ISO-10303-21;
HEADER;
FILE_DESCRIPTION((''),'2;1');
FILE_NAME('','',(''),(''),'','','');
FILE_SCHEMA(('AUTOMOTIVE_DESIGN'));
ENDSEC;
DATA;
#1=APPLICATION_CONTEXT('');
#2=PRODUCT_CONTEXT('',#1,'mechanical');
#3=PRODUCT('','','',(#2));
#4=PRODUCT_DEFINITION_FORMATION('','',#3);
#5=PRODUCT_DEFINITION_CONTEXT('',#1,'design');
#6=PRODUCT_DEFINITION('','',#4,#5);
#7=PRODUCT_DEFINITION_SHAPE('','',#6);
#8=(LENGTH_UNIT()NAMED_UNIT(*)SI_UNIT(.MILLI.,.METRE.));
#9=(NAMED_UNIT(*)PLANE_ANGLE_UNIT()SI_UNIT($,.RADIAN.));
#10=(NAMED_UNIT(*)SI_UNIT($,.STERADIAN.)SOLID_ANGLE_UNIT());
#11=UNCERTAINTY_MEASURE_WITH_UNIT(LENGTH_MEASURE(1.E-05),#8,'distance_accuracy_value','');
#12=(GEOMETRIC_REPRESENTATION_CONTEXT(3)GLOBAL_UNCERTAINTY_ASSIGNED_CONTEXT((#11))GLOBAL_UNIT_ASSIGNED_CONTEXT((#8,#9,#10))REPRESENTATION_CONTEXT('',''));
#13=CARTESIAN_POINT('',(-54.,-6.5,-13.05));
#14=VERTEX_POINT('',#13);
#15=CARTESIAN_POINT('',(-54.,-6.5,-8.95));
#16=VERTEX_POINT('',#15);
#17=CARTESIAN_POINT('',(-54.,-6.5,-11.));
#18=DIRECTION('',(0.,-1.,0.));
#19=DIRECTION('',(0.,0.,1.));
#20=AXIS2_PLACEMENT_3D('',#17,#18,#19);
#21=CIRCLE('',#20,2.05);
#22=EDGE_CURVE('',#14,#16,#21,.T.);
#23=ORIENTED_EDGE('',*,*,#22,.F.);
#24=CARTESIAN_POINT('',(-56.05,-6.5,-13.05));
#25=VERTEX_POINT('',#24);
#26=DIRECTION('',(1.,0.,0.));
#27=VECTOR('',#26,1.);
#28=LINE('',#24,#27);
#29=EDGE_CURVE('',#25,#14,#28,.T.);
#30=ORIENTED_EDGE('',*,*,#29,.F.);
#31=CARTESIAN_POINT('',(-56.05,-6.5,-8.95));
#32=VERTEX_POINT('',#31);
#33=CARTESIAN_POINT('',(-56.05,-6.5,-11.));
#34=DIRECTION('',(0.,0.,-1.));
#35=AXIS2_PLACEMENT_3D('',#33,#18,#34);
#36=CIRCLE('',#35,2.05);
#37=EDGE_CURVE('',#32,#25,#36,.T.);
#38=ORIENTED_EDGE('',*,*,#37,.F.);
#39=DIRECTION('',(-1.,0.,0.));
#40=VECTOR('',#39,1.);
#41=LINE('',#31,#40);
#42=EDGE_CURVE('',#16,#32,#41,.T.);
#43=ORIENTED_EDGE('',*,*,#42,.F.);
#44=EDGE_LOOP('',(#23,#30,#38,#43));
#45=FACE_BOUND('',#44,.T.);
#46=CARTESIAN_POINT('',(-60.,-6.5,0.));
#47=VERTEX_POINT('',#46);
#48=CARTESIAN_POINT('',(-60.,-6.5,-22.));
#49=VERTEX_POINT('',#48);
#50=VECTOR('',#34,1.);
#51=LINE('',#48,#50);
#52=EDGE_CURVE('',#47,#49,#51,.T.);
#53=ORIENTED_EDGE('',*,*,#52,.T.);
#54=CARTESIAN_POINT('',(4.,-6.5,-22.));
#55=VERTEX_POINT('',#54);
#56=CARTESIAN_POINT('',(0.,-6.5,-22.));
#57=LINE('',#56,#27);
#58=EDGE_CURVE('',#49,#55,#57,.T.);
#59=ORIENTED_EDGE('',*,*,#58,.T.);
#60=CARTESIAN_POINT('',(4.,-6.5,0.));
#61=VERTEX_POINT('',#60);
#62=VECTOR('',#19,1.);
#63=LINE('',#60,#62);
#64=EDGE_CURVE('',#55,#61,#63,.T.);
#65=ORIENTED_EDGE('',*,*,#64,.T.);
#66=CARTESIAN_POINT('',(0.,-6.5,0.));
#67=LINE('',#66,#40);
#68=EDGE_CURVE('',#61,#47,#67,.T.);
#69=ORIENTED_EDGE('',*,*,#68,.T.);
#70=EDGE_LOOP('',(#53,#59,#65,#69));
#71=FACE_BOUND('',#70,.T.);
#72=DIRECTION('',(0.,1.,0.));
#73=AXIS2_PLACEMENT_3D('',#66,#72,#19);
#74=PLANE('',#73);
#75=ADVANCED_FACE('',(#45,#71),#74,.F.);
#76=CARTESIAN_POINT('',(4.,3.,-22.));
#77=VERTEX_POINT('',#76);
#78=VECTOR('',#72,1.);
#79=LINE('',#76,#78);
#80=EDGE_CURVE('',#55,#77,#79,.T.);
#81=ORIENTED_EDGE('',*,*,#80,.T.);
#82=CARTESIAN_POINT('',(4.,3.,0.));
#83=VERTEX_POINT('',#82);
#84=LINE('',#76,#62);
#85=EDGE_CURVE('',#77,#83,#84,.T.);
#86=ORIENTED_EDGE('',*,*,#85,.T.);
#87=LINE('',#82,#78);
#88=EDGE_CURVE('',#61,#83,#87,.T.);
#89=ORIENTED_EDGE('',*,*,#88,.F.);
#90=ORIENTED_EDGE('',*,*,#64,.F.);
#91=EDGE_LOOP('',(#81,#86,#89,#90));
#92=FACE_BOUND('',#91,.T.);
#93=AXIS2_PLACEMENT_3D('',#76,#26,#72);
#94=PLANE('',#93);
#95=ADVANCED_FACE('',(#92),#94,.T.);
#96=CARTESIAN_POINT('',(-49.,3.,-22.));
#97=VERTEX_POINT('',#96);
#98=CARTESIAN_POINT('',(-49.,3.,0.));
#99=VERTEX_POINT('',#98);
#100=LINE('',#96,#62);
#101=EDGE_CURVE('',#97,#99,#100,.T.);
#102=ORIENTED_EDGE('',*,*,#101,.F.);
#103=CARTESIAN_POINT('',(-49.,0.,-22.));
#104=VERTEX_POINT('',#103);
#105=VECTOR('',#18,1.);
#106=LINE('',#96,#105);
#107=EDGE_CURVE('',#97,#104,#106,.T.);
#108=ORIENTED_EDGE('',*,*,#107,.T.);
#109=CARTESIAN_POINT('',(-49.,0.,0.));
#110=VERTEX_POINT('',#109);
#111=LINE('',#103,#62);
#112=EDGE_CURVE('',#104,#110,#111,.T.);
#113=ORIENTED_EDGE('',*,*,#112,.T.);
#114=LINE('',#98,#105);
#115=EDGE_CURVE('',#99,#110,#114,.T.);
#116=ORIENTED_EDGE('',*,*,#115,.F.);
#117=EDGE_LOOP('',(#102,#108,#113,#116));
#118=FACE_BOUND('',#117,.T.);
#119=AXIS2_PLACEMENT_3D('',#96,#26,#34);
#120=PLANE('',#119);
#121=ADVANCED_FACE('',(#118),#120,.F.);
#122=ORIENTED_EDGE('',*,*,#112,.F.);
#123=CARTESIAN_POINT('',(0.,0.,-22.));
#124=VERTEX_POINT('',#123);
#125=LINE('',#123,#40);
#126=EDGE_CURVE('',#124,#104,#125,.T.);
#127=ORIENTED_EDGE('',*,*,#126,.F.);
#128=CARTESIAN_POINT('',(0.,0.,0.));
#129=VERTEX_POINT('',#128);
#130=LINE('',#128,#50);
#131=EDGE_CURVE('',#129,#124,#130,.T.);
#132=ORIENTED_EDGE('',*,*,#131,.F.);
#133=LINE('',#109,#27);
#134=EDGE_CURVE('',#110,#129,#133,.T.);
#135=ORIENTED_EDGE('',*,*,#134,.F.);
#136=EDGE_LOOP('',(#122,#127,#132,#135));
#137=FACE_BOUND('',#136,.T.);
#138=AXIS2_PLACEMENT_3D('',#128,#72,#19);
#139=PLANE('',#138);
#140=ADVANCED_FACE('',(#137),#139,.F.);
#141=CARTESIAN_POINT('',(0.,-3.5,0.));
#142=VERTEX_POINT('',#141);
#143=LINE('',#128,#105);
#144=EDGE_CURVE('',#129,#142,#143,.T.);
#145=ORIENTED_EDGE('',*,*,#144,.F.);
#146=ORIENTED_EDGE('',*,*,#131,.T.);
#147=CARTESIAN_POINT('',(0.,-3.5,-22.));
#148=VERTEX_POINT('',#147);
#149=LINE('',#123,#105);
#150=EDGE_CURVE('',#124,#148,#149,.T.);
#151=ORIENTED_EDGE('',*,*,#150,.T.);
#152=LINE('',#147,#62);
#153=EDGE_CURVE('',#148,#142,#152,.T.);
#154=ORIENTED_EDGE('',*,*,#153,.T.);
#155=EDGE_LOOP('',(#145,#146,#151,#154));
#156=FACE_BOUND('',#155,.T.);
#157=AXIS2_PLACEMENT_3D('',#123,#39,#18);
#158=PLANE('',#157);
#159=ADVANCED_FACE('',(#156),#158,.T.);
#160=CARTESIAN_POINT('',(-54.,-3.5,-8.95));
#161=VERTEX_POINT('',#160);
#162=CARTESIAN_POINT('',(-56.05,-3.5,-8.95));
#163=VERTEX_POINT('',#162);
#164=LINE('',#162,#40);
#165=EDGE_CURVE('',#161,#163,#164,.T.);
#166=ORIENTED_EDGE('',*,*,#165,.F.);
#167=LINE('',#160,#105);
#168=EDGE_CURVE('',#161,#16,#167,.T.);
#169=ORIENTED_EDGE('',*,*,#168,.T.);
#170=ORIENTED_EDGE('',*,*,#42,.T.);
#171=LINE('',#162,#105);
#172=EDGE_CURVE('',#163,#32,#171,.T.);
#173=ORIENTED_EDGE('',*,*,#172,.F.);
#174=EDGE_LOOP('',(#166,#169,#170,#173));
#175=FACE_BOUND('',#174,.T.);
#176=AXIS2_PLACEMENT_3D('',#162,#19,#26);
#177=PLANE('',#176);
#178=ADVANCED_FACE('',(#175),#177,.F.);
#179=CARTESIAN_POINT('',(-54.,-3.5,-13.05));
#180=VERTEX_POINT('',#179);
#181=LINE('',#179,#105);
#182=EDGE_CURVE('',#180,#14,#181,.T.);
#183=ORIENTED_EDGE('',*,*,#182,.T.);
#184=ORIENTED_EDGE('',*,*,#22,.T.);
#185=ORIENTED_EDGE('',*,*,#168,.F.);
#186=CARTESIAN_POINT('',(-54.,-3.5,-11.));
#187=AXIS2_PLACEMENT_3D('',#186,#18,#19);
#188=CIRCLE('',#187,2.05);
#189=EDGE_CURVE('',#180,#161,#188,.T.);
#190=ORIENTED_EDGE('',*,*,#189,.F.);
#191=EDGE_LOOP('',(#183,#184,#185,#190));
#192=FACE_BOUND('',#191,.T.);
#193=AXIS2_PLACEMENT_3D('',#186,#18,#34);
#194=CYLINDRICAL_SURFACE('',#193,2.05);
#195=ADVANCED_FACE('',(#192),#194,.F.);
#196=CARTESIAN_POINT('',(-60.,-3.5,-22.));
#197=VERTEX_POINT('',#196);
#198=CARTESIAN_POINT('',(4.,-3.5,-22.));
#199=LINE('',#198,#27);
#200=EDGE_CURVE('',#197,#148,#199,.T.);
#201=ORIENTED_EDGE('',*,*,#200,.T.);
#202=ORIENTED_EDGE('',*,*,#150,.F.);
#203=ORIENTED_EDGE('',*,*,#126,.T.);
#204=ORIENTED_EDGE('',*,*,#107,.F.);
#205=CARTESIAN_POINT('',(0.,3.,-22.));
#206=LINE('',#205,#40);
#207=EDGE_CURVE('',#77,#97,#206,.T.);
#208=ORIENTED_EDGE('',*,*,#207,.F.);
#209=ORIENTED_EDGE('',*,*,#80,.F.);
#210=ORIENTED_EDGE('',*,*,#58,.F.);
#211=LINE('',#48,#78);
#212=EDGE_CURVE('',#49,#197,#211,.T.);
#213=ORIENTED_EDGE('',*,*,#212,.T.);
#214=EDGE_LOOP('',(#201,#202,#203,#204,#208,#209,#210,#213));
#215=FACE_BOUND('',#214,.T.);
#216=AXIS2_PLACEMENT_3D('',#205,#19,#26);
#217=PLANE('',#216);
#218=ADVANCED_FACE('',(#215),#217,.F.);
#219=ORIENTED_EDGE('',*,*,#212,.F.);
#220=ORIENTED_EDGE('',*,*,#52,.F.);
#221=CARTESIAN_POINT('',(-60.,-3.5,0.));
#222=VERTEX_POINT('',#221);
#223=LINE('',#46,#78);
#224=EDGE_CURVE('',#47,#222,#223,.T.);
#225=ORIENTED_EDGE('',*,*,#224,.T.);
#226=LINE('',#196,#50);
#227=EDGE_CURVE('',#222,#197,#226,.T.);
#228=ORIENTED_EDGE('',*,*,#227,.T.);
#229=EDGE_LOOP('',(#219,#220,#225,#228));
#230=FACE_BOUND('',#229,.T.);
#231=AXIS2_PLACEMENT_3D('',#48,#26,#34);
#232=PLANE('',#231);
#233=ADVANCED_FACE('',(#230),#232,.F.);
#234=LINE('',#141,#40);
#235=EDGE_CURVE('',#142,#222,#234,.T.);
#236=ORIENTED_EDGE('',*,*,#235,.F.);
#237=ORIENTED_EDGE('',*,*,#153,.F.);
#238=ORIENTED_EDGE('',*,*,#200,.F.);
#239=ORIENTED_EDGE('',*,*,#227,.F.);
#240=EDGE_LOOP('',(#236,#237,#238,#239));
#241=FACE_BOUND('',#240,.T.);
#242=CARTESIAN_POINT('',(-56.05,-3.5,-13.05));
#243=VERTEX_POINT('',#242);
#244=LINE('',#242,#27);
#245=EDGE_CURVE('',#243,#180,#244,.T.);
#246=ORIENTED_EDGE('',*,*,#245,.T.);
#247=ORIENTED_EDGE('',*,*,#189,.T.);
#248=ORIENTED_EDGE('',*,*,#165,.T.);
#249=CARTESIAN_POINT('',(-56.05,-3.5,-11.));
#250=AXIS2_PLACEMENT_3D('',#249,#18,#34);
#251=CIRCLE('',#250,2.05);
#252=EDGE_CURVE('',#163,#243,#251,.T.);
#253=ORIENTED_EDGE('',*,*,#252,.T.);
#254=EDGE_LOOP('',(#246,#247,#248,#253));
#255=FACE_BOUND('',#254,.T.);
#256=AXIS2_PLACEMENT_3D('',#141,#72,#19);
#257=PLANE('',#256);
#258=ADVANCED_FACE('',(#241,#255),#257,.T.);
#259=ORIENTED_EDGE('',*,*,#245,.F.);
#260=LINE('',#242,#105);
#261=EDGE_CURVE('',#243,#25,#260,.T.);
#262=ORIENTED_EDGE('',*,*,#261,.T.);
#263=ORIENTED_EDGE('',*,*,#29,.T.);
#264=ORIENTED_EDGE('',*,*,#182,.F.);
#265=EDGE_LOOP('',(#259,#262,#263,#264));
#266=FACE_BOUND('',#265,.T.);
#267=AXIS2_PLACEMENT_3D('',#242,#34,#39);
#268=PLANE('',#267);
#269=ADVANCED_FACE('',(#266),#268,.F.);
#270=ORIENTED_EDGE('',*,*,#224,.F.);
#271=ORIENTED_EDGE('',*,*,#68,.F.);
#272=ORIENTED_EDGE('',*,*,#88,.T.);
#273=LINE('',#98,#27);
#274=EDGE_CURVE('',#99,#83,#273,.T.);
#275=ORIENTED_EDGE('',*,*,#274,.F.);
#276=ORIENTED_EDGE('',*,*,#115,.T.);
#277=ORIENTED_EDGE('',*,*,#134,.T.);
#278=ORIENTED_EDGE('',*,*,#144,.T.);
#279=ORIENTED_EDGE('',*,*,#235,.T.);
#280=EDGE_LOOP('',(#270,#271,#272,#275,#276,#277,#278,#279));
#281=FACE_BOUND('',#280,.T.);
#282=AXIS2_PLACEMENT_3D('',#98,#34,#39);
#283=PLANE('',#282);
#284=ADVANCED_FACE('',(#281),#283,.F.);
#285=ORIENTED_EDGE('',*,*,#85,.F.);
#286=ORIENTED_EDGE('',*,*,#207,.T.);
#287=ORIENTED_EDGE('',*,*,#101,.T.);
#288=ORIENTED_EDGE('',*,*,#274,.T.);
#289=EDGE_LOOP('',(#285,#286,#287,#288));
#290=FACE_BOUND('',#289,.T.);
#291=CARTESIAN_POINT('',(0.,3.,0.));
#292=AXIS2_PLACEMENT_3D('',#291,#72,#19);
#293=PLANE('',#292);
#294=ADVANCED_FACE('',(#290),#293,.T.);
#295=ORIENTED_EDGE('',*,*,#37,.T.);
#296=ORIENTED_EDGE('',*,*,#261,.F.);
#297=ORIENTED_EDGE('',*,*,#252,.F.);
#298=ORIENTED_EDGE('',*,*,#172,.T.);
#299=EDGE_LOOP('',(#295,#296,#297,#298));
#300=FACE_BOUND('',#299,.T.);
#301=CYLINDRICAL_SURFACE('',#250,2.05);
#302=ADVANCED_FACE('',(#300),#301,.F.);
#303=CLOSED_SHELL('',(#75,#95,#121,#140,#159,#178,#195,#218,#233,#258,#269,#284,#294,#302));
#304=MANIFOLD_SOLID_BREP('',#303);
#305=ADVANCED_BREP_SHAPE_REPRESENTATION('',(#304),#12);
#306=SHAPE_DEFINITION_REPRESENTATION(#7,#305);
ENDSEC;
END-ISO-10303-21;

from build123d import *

# Parameters (mm, degrees)
SKETCH1_W           = 49
SKETCH1_H           = 22
BOSS_EXTRUDE1_DEPTH = 3
BOSS_EXTRUDE2_DEPTH = 22
BOSS_EXTRUDE3_DEPTH = 3
CUT_EXTRUDE1_DEPTH  = 3


with BuildPart() as part:
    # Sketch1 → Boss-Extrude1 (new body)
    with BuildSketch(Plane(origin=(0, 0, 0), x_dir=(1, 0, 0), z_dir=(0, 1, 0))):
        with Locations((-24.5, 11)):
            Rectangle(SKETCH1_W, SKETCH1_H)
    extrude(amount=BOSS_EXTRUDE1_DEPTH)

    # Sketch2 → Boss-Extrude2 (add)
    with BuildSketch(Plane.XY):
        Polygon((0, 0), (0, -3.5), (4, -3.5), (4, 3), (0, 3), align=None)
    extrude(amount=-BOSS_EXTRUDE2_DEPTH)

    # Sketch3 → Boss-Extrude3 (add)
    with BuildSketch(Plane.XZ.offset(3.5)):
        Polygon((0, 0), (-60, 0), (-60, -22), (0, -22), (4, -22), (4, 0), align=None)
    extrude(amount=BOSS_EXTRUDE3_DEPTH)

    # Sketch4 → Cut-Extrude1 (cut)
    with BuildSketch(Plane.XZ.offset(6.5)):
        with BuildLine():
            Line((-56.05, -8.95), (-54, -8.95))
            ThreePointArc((-54, -8.95), (-51.95, -11), (-54, -13.05))
            Line((-54, -13.05), (-56.05, -13.05))
            ThreePointArc((-56.05, -13.05), (-58.1, -11), (-56.05, -8.95))
        make_face()
    extrude(amount=-CUT_EXTRUDE1_DEPTH, mode=Mode.SUBTRACT)


solid = part.part
